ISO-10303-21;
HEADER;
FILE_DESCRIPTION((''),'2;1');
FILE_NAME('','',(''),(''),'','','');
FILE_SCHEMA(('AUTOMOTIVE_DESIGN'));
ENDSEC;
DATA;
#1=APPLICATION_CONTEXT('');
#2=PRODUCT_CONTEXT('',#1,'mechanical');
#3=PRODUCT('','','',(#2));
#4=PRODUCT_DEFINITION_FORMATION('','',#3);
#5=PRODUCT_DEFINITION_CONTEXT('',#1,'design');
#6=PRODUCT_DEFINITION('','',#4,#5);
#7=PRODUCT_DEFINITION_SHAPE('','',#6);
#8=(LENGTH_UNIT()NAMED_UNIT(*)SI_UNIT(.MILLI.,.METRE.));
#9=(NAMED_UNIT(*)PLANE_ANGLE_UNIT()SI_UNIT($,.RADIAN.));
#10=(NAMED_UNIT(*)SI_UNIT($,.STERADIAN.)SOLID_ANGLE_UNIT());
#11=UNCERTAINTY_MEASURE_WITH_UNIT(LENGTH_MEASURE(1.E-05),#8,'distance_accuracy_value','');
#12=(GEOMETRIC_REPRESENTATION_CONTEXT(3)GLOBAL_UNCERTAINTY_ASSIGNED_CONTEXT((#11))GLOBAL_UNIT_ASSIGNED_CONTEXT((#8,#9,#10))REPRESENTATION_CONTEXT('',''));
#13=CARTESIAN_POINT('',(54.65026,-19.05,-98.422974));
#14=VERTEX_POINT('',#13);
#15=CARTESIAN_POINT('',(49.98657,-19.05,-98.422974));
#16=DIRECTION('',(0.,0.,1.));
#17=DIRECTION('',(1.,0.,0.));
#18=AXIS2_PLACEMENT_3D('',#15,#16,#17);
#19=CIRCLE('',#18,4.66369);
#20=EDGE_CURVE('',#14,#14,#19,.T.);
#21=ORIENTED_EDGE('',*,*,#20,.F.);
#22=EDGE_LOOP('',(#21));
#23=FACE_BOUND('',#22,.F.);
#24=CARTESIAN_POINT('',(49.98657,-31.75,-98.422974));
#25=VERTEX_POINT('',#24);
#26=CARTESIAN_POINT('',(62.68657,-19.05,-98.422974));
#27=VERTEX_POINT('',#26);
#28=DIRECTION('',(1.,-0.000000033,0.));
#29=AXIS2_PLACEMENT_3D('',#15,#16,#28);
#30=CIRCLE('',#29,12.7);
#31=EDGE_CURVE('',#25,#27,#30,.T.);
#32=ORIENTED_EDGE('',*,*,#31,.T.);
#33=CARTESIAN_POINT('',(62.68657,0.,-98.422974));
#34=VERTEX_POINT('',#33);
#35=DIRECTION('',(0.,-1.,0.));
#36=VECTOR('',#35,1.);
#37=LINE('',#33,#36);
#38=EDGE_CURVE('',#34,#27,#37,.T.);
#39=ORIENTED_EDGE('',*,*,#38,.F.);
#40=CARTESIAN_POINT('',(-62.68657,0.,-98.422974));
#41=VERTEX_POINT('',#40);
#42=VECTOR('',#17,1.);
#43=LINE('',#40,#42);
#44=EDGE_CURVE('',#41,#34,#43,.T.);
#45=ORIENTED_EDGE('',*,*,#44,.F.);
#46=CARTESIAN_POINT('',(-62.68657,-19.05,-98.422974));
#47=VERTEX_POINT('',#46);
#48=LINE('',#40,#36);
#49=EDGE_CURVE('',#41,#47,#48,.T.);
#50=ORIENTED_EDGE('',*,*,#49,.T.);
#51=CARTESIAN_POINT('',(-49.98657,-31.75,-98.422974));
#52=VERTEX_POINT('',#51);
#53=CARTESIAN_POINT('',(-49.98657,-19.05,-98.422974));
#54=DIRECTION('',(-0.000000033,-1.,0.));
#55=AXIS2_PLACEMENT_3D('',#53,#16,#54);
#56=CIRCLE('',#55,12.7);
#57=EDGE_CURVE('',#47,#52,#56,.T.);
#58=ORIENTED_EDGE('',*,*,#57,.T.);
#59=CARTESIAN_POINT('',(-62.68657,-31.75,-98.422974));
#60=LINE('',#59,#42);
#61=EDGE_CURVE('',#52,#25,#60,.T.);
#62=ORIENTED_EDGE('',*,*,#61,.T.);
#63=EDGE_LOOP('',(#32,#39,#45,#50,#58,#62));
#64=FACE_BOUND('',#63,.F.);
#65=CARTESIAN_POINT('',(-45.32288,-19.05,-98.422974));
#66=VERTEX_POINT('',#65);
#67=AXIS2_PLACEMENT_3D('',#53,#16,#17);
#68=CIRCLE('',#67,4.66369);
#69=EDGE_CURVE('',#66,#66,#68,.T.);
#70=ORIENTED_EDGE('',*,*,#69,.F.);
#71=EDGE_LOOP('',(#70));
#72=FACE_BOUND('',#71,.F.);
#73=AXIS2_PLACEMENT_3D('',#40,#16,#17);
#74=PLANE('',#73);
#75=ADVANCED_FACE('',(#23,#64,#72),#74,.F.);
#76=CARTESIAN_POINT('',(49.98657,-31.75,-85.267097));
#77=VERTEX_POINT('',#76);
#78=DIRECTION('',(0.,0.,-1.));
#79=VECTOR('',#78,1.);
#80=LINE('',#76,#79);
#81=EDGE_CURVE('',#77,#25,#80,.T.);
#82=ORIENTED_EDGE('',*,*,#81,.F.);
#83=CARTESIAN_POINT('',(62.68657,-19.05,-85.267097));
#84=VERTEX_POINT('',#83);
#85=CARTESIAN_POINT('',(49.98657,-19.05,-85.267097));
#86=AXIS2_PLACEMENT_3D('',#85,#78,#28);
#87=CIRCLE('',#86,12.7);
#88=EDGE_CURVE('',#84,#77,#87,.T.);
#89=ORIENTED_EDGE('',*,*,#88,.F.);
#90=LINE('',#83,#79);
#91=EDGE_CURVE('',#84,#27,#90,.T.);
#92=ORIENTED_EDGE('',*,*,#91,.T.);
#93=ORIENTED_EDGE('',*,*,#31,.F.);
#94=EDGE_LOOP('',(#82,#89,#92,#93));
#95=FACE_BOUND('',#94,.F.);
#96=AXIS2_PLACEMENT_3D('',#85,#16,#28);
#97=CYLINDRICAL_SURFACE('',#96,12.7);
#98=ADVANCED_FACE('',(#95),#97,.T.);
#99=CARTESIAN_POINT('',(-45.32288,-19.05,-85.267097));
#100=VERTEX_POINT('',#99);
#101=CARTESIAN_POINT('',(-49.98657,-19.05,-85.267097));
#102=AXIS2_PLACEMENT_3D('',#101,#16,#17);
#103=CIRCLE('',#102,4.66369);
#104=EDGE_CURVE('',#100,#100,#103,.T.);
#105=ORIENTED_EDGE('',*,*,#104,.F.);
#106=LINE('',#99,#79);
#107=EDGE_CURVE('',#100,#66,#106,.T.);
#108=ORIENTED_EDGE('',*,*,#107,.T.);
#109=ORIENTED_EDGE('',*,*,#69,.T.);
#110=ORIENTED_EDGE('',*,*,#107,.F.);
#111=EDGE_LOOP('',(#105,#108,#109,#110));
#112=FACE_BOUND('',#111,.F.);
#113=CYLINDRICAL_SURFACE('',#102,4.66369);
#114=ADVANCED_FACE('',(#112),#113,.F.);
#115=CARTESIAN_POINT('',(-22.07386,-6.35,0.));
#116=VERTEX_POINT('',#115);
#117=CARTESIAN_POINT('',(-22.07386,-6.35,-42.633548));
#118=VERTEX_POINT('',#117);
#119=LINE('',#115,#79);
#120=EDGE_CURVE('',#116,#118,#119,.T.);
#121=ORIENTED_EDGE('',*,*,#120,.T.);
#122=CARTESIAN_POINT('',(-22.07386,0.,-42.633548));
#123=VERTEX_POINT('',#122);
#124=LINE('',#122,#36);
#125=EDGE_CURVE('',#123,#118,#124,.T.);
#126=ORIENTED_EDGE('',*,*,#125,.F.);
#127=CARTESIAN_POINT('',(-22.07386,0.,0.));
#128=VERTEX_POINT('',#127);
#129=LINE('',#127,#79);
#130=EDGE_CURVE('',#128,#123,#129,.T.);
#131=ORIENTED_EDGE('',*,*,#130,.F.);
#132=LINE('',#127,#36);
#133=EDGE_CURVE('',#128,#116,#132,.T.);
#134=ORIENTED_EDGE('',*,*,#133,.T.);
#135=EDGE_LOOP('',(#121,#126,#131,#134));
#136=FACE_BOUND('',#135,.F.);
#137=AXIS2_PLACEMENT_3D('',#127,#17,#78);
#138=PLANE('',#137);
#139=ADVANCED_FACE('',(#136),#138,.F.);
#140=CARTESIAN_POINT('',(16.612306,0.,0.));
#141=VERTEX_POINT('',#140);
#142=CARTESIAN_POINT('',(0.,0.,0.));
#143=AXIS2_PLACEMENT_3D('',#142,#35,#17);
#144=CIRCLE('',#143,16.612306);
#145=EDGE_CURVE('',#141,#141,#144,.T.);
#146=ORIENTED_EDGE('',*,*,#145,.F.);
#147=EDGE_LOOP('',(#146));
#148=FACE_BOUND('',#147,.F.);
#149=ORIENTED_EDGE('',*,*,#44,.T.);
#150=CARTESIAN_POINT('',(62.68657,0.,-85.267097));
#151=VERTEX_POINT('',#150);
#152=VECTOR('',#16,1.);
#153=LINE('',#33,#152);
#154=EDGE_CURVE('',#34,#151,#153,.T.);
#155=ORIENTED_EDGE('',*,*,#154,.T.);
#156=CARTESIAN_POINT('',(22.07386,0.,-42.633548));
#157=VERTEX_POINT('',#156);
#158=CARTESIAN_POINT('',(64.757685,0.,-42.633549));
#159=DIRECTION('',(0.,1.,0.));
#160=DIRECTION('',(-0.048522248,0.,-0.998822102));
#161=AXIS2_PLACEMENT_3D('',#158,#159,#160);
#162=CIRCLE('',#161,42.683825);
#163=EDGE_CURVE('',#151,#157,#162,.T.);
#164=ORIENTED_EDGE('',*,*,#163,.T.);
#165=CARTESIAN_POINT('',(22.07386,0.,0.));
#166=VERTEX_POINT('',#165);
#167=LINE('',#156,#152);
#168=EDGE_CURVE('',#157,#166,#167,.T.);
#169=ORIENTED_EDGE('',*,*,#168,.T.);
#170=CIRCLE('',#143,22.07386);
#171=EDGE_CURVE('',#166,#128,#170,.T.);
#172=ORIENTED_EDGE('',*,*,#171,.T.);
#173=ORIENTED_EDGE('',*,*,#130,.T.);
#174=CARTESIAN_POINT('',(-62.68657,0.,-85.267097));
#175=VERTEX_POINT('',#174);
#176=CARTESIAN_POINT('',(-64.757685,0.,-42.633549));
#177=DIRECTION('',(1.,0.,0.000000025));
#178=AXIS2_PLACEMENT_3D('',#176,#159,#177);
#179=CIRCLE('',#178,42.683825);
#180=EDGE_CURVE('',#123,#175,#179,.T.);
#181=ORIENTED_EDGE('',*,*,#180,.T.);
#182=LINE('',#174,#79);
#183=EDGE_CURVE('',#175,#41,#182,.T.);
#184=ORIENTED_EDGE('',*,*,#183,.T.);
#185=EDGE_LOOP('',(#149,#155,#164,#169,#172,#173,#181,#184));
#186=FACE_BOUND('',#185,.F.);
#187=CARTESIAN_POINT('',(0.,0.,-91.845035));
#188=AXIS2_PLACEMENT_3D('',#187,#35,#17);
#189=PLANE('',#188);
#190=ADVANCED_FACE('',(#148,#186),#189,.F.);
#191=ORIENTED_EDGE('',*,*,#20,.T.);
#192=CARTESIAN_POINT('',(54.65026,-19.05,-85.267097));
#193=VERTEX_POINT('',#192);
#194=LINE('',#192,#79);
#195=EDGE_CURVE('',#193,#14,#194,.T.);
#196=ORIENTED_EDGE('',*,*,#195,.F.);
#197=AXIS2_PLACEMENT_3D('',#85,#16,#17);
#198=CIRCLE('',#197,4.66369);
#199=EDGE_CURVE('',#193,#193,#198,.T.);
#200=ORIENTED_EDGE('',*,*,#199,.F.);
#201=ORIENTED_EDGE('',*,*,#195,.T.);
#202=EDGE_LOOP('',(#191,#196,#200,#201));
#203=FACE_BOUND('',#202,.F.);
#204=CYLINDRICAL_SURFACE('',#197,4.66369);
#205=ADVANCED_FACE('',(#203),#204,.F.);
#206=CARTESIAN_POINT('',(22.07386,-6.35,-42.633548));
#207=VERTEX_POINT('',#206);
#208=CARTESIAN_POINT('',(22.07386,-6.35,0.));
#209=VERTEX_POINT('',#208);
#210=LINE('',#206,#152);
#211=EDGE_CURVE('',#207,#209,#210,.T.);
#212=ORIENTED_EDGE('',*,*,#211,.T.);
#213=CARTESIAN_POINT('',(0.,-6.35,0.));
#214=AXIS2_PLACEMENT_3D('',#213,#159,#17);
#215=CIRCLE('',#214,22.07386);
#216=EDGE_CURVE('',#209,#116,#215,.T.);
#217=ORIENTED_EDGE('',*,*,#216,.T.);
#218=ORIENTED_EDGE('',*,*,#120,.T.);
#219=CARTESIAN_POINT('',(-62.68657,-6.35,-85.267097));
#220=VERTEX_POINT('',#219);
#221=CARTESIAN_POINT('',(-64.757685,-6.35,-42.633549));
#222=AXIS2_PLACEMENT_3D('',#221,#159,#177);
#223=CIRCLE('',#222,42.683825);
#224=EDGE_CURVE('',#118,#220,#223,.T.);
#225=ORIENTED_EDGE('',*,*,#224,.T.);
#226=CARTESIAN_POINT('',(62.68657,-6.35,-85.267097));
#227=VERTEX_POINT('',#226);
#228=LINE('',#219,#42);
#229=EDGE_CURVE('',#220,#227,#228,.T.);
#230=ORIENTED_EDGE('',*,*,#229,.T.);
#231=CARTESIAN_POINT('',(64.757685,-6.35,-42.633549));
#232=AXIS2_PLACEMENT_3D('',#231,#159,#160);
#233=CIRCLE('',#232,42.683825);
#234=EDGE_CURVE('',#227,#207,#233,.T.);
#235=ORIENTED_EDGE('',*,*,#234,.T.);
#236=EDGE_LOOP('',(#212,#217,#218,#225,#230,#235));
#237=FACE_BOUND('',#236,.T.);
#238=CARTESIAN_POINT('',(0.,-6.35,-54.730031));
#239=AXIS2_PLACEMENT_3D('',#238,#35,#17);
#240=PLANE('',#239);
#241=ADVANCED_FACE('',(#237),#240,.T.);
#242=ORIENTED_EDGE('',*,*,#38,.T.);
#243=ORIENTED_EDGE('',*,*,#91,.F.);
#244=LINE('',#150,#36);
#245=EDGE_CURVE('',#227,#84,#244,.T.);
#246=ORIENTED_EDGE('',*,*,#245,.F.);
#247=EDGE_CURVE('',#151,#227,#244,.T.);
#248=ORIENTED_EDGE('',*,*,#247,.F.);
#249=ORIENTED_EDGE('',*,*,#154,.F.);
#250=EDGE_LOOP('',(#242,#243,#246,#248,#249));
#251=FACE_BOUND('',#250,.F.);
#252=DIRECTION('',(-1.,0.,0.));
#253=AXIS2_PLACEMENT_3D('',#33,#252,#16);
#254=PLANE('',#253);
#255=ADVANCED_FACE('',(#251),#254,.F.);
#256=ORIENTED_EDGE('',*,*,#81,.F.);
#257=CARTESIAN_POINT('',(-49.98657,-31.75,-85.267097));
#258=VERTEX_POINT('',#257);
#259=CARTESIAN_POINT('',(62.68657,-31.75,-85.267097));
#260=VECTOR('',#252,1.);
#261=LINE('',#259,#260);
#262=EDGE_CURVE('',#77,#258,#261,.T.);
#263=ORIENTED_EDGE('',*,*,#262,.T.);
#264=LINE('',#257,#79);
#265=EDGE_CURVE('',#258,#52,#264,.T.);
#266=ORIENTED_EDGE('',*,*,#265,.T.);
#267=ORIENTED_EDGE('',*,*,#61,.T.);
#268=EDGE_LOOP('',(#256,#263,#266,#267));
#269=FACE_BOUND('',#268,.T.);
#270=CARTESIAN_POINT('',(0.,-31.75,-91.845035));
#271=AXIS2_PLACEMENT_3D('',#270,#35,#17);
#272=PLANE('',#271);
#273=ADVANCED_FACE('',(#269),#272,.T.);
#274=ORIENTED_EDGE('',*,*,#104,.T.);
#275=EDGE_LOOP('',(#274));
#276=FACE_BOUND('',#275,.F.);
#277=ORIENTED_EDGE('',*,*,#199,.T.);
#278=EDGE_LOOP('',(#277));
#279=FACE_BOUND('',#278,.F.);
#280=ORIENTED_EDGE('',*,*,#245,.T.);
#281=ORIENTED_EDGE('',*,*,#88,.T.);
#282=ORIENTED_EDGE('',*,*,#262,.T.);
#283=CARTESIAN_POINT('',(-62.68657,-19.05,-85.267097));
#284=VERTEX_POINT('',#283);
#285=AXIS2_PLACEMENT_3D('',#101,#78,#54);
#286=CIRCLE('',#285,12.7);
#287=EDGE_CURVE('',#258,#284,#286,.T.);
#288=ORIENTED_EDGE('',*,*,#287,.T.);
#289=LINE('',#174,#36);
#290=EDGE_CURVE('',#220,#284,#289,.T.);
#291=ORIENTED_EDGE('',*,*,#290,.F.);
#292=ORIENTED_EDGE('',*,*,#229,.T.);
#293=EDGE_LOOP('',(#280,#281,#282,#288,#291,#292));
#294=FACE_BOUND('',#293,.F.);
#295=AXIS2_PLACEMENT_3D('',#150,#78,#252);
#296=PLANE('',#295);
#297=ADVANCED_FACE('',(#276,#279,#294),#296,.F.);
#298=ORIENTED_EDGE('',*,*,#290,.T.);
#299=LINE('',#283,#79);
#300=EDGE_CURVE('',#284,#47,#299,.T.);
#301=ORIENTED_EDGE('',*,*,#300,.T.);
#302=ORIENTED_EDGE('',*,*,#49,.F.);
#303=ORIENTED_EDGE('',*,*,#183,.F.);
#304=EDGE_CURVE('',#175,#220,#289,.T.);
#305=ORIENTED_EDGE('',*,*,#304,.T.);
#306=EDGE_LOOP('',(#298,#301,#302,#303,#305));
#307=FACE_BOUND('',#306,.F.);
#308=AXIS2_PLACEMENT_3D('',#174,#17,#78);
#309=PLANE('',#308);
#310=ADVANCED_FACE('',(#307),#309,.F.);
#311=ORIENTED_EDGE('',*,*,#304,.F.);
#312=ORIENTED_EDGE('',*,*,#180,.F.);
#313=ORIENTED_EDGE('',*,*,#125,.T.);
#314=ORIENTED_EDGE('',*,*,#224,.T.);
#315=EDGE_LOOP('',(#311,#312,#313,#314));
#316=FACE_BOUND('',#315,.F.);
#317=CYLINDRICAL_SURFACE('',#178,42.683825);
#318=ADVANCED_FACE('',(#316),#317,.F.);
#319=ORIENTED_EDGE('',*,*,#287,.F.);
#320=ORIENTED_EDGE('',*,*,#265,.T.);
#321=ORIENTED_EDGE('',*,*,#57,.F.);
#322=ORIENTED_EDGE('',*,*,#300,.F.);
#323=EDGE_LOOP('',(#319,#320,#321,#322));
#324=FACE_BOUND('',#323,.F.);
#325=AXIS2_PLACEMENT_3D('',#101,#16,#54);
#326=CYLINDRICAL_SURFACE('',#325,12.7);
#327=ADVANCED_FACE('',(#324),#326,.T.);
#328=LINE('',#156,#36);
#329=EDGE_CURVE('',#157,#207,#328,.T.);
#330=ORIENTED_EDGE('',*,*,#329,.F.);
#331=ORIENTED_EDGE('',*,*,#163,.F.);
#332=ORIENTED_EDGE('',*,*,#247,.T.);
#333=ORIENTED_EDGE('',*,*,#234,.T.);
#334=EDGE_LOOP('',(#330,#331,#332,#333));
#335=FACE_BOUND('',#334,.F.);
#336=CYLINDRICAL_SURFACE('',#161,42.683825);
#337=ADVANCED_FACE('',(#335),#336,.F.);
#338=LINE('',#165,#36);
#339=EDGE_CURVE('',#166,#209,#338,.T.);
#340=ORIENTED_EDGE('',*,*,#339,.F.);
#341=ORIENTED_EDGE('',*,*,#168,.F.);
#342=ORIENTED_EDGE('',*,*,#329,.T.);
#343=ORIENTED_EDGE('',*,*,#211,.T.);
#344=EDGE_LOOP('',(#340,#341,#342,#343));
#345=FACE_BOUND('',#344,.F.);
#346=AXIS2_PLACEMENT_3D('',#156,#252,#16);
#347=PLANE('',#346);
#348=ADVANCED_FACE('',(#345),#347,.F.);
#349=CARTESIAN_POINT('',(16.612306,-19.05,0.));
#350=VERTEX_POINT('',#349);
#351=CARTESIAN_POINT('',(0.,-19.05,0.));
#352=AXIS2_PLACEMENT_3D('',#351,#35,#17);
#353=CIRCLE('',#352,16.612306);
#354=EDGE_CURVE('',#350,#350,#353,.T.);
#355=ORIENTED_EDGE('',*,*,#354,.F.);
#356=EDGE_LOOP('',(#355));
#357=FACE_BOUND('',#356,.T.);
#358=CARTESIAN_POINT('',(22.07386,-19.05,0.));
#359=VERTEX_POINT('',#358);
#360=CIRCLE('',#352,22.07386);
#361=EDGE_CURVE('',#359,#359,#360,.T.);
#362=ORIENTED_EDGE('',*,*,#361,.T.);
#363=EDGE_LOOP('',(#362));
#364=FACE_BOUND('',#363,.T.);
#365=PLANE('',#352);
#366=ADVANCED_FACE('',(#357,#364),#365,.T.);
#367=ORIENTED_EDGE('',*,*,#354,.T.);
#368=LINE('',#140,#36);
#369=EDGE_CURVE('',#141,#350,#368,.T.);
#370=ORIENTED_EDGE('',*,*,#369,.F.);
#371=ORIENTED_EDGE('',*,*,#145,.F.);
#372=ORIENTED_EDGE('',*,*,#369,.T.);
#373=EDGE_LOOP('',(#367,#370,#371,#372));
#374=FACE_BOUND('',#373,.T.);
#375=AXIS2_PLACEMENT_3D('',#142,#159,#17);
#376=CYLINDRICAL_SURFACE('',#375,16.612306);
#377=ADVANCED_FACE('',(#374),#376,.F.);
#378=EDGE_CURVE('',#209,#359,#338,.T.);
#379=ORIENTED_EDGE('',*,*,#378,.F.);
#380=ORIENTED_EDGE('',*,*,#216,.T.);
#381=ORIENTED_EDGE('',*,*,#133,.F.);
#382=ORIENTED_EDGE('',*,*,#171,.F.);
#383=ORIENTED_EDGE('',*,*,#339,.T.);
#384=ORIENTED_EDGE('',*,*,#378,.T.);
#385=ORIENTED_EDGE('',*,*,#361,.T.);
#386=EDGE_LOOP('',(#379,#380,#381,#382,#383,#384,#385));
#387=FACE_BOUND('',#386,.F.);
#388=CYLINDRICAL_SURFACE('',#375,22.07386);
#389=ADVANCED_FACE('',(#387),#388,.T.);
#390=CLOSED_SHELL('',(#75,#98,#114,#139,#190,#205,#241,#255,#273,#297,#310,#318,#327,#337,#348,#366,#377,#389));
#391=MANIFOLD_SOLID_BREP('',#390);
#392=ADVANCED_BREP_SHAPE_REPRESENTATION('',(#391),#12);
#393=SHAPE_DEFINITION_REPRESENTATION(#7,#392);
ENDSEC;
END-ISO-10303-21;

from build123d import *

# Parameters (mm, degrees)
F1_DEPTH = 6.35
F0_R     = 16.612306
F2_DEPTH = 19.05
F3_DEPTH = 31.75
F4_R     = 4.66369
F5_DEPTH = 13.156878


with BuildPart() as f1:
    # F0 (on Front) → F1 (new body)
    with BuildSketch(Plane.XZ):
        with BuildLine():
            Line((22.07386, -42.633548), (22.07386, 0))
            ThreePointArc((22.07386, 0), (0, -22.07386), (-22.07386, 0))
            Line((-22.07386, 0), (-22.07386, -42.633548))
            ThreePointArc((-22.07386, -42.633548), (-33.852086, -72.074216), (-62.68657, -85.267097))
            Line((-62.68657, -85.267097), (-22.07386, -85.267097))
            Line((-22.07386, -85.267097), (22.07386, -85.267097))
            Line((22.07386, -85.267097), (62.68657, -85.267097))
            ThreePointArc((62.68657, -85.267097), (33.852086, -72.074216), (22.07386, -42.633548))
        make_face()
    extrude(amount=F1_DEPTH)

    # F0 (on Front) → F2 (join)
    with BuildSketch(Plane.XZ):
        with BuildLine():
            ThreePointArc((-22.07386, 0), (0, -22.07386), (22.07386, 0))
            ThreePointArc((22.07386, 0), (0, 22.07386), (-22.07386, 0))
        make_face()
        Circle(F0_R, mode=Mode.SUBTRACT)
    extrude(amount=F2_DEPTH)

    # F0 (on Front) → F3 (join)
    with BuildSketch(Plane.XZ):
        Polygon((62.68657, -98.422974), (62.68657, -85.267097), (22.07386, -85.267097), (-22.07386, -85.267097), (-62.68657, -85.267097), (-62.68657, -98.422974), align=None)
    extrude(amount=F3_DEPTH)

    # F4 (on face) → F5 (cut, through all)
    with BuildSketch(Plane.XY.offset(-85.267097)):
        with Locations((-49.98657, -19.05)):
            Circle(F4_R)
        with Locations((49.98657, -19.05)):
            Circle(F4_R)
        with BuildLine():
            Line((-62.68657, -19.05), (-62.68657, -31.75))
            Line((-62.68657, -31.75), (-49.98657, -31.75))
            ThreePointArc((-49.98657, -31.75), (-58.966826, -28.030256), (-62.68657, -19.05))
        make_face()
        with BuildLine():
            ThreePointArc((62.68657, -19.05), (58.966826, -28.030256), (49.98657, -31.75))
            Line((49.98657, -31.75), (62.68657, -31.75))
            Line((62.68657, -31.75), (62.68657, -19.05))
        make_face()
    extrude(amount=-F5_DEPTH, mode=Mode.SUBTRACT)


solid = f1.part
